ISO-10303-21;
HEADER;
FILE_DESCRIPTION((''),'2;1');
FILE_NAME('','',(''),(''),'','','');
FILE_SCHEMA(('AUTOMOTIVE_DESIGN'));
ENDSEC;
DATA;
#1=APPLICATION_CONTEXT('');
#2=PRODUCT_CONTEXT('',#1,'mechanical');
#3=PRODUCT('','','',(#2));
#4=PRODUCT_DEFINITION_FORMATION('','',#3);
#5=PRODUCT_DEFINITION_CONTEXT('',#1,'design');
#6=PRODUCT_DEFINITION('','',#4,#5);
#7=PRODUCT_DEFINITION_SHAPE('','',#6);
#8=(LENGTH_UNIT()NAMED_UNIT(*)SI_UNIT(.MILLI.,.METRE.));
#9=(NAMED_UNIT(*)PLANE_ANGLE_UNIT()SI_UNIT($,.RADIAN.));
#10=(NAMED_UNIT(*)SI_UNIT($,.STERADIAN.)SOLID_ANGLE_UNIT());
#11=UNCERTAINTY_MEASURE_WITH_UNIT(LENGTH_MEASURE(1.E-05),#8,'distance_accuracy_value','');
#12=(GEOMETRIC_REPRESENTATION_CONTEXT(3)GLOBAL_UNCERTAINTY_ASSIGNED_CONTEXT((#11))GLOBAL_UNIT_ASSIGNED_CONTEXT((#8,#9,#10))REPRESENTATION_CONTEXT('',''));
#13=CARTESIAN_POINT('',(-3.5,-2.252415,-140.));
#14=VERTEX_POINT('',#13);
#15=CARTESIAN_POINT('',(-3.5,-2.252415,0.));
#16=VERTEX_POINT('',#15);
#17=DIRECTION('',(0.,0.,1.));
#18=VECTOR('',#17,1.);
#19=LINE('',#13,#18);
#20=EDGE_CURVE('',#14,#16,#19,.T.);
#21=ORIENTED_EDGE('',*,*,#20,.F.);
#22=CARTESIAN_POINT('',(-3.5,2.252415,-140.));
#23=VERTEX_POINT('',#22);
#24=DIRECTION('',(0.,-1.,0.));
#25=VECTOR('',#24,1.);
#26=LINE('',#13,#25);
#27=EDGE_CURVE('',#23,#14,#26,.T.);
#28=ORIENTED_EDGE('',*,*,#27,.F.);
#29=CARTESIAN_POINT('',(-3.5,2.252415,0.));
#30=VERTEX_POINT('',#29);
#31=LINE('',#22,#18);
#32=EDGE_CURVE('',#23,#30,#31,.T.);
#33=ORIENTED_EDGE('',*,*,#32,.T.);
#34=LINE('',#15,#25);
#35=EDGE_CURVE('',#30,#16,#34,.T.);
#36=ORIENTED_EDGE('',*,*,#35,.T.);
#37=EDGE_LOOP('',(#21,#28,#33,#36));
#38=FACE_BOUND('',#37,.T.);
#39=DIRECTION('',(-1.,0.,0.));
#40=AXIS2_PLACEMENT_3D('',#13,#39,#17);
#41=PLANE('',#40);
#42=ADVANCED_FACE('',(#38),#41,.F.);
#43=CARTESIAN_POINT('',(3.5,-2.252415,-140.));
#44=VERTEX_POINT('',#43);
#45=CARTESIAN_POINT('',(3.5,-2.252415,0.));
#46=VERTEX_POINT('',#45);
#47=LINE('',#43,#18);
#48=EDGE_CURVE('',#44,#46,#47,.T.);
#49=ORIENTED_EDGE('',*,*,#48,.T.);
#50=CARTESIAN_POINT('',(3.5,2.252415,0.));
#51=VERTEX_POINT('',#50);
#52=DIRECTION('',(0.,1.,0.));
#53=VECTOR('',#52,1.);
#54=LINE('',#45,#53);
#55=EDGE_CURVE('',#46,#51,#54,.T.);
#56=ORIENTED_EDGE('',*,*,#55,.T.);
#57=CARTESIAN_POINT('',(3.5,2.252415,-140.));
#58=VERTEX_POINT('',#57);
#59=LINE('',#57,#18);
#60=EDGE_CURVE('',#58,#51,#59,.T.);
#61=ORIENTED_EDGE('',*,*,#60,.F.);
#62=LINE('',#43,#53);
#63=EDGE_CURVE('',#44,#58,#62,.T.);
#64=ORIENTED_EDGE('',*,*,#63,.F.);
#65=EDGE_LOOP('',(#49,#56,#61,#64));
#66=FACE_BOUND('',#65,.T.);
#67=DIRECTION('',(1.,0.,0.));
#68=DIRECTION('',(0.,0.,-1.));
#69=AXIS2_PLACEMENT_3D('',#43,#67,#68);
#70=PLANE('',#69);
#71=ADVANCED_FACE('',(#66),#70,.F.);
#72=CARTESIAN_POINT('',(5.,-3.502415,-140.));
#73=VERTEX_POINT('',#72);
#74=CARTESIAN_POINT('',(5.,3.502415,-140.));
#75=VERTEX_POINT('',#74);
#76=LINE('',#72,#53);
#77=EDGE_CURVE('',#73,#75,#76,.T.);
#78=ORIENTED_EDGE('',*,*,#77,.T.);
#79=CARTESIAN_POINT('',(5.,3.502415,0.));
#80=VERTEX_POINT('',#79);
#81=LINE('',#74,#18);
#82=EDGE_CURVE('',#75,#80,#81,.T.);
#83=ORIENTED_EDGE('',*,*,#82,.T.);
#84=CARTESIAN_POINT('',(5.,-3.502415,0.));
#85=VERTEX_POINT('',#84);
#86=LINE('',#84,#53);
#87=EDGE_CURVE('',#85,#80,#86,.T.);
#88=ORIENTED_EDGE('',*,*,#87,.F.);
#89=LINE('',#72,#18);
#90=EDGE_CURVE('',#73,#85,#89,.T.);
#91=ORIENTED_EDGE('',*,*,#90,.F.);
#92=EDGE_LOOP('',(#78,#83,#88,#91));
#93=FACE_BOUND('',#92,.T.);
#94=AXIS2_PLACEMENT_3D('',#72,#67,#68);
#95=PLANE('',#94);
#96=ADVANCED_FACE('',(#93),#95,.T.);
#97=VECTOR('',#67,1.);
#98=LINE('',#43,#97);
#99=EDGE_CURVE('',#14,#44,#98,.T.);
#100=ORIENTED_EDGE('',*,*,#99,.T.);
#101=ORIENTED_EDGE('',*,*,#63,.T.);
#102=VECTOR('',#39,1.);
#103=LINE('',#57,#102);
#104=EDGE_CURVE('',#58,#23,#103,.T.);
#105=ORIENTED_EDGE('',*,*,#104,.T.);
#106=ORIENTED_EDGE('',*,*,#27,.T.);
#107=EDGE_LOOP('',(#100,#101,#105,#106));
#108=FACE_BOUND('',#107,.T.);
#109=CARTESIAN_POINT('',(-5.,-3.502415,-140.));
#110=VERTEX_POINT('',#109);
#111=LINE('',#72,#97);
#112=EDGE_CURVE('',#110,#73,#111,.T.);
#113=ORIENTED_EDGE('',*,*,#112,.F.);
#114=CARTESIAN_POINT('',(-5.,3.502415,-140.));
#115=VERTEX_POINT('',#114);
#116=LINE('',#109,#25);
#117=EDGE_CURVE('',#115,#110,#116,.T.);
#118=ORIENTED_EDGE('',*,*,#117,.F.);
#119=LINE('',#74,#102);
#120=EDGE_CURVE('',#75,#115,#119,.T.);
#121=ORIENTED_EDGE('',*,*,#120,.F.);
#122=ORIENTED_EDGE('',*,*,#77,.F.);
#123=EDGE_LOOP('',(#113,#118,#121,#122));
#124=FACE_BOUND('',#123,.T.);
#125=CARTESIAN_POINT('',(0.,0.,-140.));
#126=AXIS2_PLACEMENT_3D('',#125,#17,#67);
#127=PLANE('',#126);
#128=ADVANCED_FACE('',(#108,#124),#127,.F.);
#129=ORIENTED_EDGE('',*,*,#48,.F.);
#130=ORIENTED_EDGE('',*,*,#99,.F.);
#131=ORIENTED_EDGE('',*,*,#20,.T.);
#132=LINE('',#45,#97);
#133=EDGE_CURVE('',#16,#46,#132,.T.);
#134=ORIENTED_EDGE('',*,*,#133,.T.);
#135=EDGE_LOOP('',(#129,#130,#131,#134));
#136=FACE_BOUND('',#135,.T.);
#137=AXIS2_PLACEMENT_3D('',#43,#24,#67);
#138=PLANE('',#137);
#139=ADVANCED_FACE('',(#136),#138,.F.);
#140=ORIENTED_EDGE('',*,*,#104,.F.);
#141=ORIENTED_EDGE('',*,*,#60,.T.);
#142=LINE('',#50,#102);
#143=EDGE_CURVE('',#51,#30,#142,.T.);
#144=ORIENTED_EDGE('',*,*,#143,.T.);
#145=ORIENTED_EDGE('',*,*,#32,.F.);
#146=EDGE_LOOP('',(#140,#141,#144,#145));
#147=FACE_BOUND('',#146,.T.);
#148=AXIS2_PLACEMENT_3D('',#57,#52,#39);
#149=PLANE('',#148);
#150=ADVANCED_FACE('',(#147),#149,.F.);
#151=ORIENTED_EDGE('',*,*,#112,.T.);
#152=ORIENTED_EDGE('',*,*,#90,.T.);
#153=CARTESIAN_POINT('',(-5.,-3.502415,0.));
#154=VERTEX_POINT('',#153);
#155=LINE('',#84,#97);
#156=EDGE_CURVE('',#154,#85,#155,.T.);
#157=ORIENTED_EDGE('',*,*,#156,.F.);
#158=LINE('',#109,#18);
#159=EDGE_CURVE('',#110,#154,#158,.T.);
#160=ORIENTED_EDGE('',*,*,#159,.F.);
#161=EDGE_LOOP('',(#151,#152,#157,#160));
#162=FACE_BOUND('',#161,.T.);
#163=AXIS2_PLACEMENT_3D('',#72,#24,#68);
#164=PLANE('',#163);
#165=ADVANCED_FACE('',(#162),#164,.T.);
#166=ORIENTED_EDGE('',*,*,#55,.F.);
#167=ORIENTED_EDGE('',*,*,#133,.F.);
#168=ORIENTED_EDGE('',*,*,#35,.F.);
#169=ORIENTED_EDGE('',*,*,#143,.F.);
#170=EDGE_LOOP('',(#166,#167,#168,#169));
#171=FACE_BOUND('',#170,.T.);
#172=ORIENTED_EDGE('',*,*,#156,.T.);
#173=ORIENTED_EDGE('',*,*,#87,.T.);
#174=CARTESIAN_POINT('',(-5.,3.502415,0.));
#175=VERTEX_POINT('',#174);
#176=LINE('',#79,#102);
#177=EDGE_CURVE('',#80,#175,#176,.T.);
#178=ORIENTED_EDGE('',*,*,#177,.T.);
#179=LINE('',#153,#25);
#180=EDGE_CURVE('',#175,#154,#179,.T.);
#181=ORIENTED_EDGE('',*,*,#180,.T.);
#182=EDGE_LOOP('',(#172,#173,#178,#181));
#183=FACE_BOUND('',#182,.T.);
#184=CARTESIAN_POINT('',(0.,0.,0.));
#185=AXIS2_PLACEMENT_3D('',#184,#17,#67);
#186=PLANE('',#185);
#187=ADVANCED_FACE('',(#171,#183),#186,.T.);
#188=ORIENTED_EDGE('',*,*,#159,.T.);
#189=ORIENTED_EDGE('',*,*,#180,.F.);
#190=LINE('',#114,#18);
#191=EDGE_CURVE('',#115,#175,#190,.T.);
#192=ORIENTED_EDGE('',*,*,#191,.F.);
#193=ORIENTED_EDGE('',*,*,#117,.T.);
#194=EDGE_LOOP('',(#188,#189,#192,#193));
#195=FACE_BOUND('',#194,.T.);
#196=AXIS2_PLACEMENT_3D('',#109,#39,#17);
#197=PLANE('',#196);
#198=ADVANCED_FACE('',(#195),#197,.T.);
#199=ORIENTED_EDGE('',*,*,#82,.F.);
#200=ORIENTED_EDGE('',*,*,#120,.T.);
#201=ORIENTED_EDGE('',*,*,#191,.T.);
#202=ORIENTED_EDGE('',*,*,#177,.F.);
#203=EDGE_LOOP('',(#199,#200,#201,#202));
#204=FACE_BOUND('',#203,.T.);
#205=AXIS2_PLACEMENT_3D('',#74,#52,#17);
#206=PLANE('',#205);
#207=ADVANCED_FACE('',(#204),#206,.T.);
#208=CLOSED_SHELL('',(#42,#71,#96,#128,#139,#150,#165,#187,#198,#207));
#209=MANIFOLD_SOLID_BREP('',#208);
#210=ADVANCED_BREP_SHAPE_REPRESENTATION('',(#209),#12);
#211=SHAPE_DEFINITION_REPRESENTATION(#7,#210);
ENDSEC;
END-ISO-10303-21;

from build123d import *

# Parameters (mm, degrees)
SKETCH1_W           = 10
SKETCH1_H           = 7.004830918
SKETCH1_W_2         = 7
SKETCH1_H_2         = 4.504830918
BOSS_EXTRUDE1_DEPTH = 140


with BuildPart() as part:
    # Sketch1 → Boss-Extrude1 (new body)
    with BuildSketch(Plane.XY):
        Rectangle(SKETCH1_W, SKETCH1_H)
        Rectangle(SKETCH1_W_2, SKETCH1_H_2, mode=Mode.SUBTRACT)
    extrude(amount=-BOSS_EXTRUDE1_DEPTH)


solid = part.part
